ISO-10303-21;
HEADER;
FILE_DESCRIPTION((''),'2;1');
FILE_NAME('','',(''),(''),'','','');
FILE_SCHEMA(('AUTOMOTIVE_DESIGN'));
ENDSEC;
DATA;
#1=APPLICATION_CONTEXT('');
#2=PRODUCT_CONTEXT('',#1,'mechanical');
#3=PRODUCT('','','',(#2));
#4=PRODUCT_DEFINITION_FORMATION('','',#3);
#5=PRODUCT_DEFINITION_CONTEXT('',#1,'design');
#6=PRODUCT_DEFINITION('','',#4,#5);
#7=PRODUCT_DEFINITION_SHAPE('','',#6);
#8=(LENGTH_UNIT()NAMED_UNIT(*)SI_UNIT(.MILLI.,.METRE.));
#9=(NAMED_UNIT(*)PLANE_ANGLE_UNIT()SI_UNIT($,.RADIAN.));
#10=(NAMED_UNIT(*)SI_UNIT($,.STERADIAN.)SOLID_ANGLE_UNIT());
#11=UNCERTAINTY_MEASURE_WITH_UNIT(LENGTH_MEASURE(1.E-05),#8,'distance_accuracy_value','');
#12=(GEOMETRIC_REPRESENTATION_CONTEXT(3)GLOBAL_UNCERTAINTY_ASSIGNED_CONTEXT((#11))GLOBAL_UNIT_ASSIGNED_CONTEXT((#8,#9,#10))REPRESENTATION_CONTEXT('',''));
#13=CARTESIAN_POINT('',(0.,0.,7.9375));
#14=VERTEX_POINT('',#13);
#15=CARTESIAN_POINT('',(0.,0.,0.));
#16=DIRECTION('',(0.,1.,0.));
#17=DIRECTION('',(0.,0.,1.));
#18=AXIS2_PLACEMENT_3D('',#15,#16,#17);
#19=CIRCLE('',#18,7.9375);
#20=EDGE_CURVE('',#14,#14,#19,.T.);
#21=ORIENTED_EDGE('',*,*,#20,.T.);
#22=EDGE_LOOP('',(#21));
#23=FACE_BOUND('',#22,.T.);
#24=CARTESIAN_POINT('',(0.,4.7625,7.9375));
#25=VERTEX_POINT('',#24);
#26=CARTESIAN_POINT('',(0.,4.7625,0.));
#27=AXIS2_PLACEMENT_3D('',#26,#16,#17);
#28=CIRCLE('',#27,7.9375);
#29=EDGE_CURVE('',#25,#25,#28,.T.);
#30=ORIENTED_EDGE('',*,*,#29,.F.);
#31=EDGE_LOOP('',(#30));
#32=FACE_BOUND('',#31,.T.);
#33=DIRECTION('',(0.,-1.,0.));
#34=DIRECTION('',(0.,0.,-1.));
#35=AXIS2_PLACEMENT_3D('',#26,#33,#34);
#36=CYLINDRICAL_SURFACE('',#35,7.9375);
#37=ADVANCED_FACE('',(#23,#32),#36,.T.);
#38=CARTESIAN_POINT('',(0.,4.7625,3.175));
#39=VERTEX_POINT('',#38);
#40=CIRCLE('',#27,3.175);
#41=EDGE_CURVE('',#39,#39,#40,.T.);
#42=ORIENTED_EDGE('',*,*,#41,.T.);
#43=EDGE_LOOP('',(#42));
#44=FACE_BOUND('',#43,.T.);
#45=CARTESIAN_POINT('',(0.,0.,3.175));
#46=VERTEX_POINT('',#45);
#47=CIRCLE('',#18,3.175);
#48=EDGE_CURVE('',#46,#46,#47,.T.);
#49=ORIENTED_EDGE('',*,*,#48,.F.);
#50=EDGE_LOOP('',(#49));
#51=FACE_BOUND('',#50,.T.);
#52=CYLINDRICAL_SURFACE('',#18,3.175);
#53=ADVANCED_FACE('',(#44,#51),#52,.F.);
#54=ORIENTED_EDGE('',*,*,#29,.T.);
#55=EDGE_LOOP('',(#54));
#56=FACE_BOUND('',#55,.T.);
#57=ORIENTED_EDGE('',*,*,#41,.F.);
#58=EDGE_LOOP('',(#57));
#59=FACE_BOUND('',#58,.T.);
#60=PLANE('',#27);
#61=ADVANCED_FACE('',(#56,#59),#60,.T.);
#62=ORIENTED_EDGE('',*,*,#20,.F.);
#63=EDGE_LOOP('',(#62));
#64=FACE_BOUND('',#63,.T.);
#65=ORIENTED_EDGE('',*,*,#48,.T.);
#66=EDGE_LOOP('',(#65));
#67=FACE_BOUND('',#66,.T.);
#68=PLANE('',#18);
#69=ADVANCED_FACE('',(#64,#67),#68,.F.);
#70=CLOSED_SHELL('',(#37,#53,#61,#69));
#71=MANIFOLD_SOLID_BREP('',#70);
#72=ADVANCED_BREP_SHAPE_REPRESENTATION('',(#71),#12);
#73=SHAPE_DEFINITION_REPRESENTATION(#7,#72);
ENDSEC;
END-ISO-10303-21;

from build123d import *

# Parameters (mm, degrees)
SKETCH1_R           = 7.9375
BOSS_EXTRUDE1_DEPTH = 4.7625
SKETCH2_R           = 3.175
CUT_EXTRUDE1_DEPTH  = 5.7625


with BuildPart() as part:
    # Sketch1 → Boss-Extrude1 (new body)
    with BuildSketch(Plane(origin=(0, 0, 0), x_dir=(1, 0, 0), z_dir=(0, 1, 0))):
        Circle(SKETCH1_R)
    extrude(amount=BOSS_EXTRUDE1_DEPTH)

    # Sketch2 → Cut-Extrude1 (cut, through all)
    with BuildSketch(Plane(origin=(0, 4.7625, 0), x_dir=(1, 0, 0), z_dir=(0, 1, 0))):
        Circle(SKETCH2_R)
    extrude(amount=-CUT_EXTRUDE1_DEPTH, mode=Mode.SUBTRACT)


solid = part.part
